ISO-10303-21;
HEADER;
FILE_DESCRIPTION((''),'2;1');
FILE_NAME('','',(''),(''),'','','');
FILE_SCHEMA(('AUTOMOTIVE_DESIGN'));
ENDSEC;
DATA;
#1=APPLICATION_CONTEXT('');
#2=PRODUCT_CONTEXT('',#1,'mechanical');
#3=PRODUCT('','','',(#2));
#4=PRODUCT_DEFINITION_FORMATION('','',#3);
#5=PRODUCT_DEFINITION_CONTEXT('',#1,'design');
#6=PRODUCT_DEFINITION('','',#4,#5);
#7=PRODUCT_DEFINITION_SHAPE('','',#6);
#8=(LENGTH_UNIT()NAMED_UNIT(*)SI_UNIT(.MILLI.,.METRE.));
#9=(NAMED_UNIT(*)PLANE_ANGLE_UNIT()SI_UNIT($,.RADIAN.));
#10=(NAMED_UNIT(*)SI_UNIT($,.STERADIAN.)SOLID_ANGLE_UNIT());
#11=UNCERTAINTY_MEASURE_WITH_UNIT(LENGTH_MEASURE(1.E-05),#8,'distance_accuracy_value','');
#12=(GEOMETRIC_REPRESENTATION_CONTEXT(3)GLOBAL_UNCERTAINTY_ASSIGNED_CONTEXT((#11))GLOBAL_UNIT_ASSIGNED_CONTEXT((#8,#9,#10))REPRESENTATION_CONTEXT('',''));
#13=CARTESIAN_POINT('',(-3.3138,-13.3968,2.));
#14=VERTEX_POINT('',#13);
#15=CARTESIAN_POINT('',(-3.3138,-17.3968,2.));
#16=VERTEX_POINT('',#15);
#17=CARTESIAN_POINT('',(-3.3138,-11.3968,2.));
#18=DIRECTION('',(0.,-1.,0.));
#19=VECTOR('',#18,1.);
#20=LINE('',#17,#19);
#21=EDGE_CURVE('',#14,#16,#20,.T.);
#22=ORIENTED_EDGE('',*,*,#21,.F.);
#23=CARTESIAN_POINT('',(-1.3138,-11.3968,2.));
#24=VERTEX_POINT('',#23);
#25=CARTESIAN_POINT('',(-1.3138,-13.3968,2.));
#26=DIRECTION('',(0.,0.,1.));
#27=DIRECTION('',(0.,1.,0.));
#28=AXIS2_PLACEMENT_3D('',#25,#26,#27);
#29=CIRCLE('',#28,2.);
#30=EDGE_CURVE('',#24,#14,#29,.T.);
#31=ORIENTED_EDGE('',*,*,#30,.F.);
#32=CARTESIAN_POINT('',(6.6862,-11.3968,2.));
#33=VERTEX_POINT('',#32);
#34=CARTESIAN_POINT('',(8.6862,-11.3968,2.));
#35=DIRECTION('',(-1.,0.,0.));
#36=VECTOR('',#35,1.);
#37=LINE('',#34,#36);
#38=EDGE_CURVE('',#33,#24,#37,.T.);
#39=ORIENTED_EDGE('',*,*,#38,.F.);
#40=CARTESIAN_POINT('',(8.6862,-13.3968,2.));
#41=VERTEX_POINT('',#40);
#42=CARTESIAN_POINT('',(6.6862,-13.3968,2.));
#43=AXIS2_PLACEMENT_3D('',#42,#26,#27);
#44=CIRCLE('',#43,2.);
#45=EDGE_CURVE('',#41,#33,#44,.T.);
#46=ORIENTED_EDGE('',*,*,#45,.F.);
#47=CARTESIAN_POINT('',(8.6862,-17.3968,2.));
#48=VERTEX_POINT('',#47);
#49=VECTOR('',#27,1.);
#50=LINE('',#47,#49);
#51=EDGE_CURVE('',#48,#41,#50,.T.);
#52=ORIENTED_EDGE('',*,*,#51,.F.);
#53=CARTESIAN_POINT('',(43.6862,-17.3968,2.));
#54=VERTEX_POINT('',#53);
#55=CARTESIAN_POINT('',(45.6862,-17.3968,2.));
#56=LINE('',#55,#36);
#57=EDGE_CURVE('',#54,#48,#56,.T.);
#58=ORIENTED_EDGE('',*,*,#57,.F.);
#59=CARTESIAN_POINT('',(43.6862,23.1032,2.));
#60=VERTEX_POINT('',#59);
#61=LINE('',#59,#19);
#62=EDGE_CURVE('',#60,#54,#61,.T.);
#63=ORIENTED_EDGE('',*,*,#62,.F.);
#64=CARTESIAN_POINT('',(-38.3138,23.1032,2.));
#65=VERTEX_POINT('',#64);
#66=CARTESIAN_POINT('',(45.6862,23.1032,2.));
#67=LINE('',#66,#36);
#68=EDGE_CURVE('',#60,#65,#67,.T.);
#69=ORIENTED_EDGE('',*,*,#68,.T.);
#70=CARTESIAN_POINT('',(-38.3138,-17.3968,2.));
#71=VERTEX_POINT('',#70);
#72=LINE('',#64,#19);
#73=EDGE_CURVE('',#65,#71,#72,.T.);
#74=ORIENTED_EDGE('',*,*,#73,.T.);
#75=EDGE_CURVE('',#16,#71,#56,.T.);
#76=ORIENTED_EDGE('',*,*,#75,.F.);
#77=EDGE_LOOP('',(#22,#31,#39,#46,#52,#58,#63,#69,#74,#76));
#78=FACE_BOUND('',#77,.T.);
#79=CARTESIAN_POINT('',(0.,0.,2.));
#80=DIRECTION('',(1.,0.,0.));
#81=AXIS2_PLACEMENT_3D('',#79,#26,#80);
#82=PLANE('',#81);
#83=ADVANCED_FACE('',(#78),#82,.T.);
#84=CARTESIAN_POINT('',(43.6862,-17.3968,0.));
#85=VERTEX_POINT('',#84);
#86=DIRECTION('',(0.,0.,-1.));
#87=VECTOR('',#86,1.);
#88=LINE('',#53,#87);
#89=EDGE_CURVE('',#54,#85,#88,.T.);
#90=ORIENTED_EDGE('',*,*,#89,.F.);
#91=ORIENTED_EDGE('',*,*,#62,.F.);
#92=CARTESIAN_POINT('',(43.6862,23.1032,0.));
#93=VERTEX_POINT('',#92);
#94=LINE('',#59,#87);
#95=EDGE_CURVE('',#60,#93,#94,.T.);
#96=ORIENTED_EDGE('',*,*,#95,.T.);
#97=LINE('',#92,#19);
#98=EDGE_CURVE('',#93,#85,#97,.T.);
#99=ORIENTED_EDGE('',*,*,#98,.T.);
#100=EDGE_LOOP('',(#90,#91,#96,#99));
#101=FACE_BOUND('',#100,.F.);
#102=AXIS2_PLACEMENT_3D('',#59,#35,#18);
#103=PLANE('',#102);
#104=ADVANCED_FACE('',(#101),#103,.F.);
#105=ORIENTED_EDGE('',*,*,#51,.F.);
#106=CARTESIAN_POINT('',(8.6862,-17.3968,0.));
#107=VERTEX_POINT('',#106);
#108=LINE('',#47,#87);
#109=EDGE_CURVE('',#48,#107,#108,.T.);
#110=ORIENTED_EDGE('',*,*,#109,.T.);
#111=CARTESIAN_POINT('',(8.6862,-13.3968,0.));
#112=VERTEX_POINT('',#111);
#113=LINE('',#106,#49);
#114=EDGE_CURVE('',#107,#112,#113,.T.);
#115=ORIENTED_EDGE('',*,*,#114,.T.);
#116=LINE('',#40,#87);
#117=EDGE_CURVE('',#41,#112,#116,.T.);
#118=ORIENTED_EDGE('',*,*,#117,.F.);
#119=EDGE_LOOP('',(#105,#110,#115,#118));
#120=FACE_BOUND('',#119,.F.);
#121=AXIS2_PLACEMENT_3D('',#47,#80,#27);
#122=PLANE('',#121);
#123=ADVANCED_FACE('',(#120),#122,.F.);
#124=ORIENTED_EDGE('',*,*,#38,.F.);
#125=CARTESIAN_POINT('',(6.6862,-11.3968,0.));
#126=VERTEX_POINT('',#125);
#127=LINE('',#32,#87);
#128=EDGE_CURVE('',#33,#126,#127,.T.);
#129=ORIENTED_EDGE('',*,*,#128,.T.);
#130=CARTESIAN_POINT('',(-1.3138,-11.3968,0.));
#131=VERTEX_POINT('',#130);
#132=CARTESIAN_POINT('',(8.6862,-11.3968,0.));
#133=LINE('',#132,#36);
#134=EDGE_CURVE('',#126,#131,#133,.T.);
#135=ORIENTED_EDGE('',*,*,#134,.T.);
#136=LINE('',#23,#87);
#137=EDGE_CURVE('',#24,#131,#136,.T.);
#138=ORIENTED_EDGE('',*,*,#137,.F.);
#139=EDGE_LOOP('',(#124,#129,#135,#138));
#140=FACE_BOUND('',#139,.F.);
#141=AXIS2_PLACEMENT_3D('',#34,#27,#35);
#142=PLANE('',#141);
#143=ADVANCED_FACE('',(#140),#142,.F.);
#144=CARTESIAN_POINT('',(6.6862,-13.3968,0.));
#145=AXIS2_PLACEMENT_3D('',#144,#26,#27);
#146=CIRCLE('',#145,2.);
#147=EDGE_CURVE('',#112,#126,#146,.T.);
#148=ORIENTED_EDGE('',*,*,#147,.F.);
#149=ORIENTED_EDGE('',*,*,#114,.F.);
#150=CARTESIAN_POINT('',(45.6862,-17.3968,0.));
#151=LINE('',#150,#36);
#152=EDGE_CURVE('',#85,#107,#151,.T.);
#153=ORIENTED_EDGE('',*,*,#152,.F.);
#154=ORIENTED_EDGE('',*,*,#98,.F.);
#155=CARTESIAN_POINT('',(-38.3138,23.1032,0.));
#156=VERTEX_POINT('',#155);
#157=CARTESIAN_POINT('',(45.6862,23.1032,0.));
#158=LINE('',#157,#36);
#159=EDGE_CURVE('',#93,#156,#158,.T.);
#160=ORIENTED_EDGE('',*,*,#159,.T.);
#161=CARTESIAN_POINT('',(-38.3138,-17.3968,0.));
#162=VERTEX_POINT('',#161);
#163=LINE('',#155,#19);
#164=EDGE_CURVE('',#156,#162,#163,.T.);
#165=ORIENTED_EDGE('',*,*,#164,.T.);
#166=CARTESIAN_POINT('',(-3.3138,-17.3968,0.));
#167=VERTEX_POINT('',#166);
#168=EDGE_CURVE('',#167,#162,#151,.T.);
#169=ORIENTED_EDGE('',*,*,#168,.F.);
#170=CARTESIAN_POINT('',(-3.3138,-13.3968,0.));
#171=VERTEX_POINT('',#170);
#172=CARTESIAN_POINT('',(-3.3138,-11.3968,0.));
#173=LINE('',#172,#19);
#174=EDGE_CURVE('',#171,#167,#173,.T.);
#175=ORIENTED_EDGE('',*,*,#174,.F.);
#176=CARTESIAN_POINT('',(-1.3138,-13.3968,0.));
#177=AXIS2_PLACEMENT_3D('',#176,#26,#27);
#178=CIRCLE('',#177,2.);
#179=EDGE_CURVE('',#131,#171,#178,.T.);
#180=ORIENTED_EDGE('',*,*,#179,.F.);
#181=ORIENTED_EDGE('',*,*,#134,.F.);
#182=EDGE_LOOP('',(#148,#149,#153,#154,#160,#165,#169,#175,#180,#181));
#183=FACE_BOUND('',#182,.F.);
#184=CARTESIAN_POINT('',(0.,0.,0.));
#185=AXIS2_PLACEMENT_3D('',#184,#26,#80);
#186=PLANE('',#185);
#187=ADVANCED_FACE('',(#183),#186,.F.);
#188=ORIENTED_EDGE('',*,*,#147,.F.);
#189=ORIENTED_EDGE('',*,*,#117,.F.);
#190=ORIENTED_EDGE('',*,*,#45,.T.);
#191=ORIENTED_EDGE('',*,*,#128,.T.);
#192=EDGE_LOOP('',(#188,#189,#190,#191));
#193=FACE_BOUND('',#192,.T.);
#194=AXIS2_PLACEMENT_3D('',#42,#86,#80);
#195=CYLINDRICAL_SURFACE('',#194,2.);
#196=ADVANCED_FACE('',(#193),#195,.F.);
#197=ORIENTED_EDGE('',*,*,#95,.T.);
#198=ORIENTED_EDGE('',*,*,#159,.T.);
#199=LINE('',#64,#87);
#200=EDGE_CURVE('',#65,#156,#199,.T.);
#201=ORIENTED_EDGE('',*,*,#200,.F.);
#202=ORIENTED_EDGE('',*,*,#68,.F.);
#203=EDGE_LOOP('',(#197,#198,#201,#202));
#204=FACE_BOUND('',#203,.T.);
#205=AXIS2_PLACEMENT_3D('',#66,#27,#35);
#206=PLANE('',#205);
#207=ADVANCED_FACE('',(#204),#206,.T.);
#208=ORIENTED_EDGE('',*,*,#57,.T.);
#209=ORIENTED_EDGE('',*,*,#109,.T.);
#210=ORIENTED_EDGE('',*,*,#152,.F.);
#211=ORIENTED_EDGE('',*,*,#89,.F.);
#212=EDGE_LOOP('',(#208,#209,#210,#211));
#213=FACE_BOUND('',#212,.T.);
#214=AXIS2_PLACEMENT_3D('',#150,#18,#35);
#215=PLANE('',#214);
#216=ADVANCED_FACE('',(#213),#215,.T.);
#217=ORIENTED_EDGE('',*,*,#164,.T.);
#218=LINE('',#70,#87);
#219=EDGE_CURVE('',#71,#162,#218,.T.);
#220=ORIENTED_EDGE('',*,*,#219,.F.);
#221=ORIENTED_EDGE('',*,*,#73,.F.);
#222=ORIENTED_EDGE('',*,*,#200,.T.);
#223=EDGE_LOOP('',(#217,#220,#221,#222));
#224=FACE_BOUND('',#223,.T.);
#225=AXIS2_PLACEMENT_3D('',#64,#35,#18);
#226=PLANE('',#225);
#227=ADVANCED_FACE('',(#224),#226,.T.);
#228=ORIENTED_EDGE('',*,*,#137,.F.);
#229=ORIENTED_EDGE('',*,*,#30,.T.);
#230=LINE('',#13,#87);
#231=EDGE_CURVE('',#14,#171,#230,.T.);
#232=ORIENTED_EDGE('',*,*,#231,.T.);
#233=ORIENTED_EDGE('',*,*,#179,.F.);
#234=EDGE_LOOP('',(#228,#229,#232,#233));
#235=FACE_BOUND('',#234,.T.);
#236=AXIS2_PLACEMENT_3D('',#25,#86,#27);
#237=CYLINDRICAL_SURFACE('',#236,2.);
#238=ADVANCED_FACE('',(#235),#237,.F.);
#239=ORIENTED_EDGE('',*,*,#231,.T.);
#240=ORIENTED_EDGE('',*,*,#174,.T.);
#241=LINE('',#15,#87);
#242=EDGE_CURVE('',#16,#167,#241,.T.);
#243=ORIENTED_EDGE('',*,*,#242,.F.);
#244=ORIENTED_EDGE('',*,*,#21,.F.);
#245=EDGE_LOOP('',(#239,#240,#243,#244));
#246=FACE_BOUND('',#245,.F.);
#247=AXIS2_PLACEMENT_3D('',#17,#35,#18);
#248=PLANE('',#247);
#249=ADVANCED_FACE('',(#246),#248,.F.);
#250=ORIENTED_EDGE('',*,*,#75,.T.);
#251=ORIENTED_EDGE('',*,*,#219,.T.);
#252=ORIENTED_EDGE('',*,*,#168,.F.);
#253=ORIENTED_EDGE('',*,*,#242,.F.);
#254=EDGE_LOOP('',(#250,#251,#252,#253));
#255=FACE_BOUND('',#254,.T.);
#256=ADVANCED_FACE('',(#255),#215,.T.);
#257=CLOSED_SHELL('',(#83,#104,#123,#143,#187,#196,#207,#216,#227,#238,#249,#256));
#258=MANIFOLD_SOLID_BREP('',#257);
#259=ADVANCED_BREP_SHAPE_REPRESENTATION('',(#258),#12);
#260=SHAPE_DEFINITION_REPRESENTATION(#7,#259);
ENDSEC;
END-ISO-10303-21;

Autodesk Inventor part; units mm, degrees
ref_plane "YZ Plane" through (0, 0, 0) normal (1, 0, 0) x (0, 1, 0)
ref_plane "XZ Plane" through (0, 0, 0) normal (0, 1, 0) x (-1, 0, 0)
ref_plane "XY Plane" through (0, 0, 0) normal (0, 0, 1) x (1, 0, 0)
sketch "Sketch1" plane through (0, 0, 0) normal (0, 0, 1) x (1, 0, 0)
  line L0 (-40.3138, 25.1032) -> (45.6862, 25.1032)
  line L1 (45.6862, 25.1032) -> (45.6862, -17.3968)
  line L2 (45.6862, -17.3968) -> (-40.3138, -17.3968)
  line L3 (-40.3138, -17.3968) -> (-40.3138, 25.1032)
  point P0 (0, 0)
  dimension "d0" = 86
  dimension "d1" = 42.5
extrude "Extrusion1" add sketch "Sketch1" along normal blind 2
sketch "Sketch2" plane through (0, 0, 2) normal (0, 0, 1) x (1, 0, 0)
  line L0 (-40.3138, -17.3968) -> (45.6862, -17.3968) projected
  line L1 (-3.3138, -17.3968) -> (8.6862, -17.3968)
  line L2 (8.6862, -17.3968) -> (8.6862, -11.3968)
  line L3 (8.6862, -11.3968) -> (-3.3138, -11.3968)
  line L4 (-3.3138, -11.3968) -> (-3.3138, -17.3968)
  line L5 (-40.3138, 25.1032) -> (-40.3138, -17.3968) projected
  line L6 (45.6862, -17.3968) -> (45.6862, 25.1032) projected
  point P0 (0, 0)
  dimension "d4" = 6
  dimension "d5" = 12
  dimension "d6" = 37
  dimension "d7" = 86
extrude "Extrusion2" cut sketch "Sketch2" against normal blind 2
fillet "Fillet1" radius 2 2 edges at (-3.3138, -11.3968, 1) (8.6862, -11.3968, 1)
sketch "Sketch3" plane through (0, 0, 2) normal (0, 0, 1) x (1, 0, 0)
  line L0 (45.6862, 25.1032) -> (-40.3138, 25.1032) projected
  line L1 (45.6862, -17.3968) -> (45.6862, 25.1032) projected
  line L2 (-40.3138, 25.1032) -> (45.6862, 25.1032)
  line L3 (45.6862, 25.1032) -> (45.6862, 23.1032)
  line L4 (45.6862, 23.1032) -> (-40.3138, 23.1032)
  line L5 (-40.3138, 23.1032) -> (-40.3138, 25.1032)
  point P0 (0, 0)
  dimension "d11" = 2
extrude "Extrusion3" cut sketch "Sketch3" against normal blind 2
sketch "Sketch4" plane through (0, 0, 2) normal (0, 0, 1) x (1, 0, 0)
  line L0 (-40.3138, 23.1032) -> (-40.3138, -17.3968) projected
  line L1 (-40.3138, -17.3968) -> (-3.3138, -17.3968) projected
  line L2 (-40.3138, 23.1032) -> (-38.3138, 23.1032)
  line L3 (-38.3138, 23.1032) -> (-38.3138, -17.3968)
  line L4 (-38.3138, -17.3968) -> (-40.3138, -17.3968)
  line L5 (-40.3138, -17.3968) -> (-40.3138, 23.1032)
  line L6 (8.6862, -17.3968) -> (45.6862, -17.3968) projected
  line L7 (45.6862, 23.1032) -> (43.6862, 23.1032)
  line L8 (43.6862, 23.1032) -> (43.6862, -17.3968)
  line L9 (43.6862, -17.3968) -> (45.6862, -17.3968)
  line L10 (45.6862, -17.3968) -> (45.6862, 23.1032)
  line L11 (45.6862, -17.3968) -> (45.6862, 23.1032) projected
  point P0 (0, 0)
  dimension "d14" = 2
  dimension "d15" = 2
extrude "Extrusion4" cut sketch "Sketch4" against normal blind 2
properties part number "front-panel"
